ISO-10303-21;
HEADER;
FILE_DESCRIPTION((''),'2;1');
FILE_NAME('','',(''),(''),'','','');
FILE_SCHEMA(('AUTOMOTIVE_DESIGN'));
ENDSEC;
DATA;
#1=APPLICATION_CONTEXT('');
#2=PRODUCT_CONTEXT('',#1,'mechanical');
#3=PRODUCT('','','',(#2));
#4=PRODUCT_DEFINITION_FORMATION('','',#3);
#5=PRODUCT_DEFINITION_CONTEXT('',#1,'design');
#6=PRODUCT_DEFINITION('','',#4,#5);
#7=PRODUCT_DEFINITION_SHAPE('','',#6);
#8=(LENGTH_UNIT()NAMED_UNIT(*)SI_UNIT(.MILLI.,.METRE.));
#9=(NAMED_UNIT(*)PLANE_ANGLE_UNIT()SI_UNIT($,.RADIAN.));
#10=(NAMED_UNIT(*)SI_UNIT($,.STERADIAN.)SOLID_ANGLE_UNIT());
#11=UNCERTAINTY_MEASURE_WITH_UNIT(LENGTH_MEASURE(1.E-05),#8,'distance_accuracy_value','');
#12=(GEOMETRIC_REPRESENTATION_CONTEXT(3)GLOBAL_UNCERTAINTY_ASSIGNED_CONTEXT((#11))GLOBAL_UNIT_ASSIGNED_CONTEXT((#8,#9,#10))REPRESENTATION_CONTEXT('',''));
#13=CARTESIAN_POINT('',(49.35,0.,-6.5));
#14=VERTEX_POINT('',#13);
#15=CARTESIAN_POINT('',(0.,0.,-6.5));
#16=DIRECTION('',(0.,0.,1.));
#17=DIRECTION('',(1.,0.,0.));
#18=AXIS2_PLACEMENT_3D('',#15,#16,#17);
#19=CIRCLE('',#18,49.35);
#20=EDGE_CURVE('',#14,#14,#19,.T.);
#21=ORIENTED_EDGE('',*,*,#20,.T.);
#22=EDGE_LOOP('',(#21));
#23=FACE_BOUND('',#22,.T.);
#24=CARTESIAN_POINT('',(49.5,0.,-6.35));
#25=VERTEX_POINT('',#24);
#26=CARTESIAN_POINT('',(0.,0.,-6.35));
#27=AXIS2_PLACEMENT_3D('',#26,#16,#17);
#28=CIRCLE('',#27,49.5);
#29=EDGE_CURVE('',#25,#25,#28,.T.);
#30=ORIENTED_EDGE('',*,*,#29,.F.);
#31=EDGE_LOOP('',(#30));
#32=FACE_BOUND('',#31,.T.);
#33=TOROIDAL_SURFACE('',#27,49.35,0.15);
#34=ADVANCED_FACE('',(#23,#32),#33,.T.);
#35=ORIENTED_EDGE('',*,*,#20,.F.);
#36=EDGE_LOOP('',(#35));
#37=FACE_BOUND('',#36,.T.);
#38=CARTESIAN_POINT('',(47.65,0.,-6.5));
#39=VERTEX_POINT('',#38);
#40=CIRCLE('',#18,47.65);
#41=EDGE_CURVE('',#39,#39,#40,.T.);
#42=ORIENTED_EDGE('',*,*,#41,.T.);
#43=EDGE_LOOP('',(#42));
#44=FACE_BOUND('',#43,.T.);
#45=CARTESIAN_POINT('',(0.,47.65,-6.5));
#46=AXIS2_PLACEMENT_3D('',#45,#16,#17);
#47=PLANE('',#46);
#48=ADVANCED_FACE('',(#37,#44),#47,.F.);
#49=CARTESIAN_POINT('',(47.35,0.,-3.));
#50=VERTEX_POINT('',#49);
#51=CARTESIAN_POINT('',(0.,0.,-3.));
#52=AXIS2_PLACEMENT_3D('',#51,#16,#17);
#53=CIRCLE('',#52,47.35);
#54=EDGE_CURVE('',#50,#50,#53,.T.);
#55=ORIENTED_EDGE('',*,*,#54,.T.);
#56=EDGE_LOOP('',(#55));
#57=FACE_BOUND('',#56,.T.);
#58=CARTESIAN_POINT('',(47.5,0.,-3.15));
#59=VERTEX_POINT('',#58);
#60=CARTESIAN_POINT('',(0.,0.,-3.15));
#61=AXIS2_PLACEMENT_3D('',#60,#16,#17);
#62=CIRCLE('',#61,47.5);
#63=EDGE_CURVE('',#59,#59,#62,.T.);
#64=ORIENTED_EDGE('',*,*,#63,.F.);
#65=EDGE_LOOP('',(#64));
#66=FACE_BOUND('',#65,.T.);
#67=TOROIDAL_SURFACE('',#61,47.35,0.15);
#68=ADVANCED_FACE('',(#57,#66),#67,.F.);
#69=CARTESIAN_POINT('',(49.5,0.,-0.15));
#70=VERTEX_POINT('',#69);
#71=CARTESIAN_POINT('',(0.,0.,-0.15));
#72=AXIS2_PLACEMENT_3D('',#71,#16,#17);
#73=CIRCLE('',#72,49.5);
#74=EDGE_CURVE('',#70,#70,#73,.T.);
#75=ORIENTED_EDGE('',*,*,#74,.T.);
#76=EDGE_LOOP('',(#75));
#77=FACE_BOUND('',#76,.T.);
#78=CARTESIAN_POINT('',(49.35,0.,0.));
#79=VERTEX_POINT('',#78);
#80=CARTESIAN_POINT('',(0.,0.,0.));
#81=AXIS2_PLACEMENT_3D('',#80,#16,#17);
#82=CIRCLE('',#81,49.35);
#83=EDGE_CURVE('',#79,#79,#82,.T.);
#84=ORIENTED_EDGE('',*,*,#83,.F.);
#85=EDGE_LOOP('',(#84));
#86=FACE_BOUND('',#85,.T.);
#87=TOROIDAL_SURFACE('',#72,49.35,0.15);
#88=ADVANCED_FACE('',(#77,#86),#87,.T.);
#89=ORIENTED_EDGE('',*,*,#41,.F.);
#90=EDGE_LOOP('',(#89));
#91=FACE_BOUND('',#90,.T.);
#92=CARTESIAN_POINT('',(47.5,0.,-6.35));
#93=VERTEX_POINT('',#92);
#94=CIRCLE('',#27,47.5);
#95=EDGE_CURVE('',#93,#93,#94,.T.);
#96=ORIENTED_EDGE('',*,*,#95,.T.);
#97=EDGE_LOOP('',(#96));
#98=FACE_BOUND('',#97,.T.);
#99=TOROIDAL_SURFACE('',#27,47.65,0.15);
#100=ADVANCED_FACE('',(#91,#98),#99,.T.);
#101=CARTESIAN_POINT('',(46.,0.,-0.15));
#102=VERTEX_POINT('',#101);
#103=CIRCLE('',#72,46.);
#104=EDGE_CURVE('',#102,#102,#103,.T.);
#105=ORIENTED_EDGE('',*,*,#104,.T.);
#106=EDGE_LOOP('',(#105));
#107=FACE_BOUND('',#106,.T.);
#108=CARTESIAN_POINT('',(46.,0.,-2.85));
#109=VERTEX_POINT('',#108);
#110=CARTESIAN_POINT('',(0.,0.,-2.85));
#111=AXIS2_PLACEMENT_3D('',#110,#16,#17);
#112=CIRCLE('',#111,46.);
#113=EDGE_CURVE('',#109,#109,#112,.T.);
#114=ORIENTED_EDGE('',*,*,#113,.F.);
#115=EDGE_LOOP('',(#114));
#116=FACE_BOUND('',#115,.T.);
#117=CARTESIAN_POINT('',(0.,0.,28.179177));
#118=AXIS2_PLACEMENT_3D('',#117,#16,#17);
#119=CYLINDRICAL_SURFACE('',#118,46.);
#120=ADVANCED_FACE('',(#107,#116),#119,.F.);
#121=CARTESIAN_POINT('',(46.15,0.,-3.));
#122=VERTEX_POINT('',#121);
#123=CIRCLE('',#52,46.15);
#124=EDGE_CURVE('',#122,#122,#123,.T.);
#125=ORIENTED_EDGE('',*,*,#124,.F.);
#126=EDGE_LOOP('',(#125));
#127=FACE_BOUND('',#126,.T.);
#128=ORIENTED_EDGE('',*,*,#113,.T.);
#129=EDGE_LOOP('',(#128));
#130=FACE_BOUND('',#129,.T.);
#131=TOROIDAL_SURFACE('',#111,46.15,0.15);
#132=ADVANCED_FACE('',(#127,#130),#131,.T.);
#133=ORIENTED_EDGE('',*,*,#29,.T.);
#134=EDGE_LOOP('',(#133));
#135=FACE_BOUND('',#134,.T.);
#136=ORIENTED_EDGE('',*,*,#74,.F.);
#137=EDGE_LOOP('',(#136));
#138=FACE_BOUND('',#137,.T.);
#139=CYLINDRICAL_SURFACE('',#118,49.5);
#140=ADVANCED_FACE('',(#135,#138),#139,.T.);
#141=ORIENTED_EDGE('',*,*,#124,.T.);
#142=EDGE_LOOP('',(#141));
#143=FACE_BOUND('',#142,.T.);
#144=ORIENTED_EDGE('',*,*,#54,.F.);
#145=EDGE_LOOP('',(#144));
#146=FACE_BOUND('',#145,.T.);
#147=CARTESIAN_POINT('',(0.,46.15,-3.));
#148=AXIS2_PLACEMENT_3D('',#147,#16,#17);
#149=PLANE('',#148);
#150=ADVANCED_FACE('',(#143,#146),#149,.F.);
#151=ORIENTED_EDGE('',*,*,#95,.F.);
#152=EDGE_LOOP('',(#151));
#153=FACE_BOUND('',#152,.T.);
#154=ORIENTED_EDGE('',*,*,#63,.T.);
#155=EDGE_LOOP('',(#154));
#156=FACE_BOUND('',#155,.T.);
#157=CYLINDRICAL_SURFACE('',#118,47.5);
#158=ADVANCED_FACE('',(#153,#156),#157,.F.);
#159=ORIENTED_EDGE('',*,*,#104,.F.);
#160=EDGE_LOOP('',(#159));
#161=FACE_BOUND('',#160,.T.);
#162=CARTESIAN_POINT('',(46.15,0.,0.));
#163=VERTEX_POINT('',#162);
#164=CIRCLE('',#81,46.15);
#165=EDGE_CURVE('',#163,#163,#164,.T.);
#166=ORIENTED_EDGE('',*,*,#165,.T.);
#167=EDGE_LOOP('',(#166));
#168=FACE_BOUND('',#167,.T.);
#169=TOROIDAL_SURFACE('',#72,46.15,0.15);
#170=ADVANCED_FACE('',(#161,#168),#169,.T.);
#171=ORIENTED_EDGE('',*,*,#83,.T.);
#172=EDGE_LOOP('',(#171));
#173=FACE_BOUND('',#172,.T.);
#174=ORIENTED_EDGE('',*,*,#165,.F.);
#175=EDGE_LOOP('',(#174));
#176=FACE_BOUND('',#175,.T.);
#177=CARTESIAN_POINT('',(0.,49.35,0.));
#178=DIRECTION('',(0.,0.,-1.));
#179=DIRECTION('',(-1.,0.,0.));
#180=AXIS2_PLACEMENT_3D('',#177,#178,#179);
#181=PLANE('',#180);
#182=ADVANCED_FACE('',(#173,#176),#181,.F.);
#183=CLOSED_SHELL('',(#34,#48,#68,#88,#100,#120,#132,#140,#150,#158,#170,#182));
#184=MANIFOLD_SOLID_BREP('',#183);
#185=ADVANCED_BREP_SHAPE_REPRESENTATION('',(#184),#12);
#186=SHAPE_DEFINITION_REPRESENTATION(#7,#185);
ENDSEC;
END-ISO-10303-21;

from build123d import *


with BuildPart() as part:
    # Sketch1 → Revolve1 (revolve)
    with BuildSketch(Plane(origin=(0, 0, 0), x_dir=(0, 0, -1), z_dir=(1, 0, 0)), mode=Mode.PRIVATE) as revolve1_sk:
        with BuildLine():
            Line((0.15, 46), (2.85, 46))
            ThreePointArc((2.85, 46), (2.956066017, 46.043933983), (3, 46.15))
            Line((3, 46.15), (3, 47.35))
            ThreePointArc((3, 47.35), (3.043933983, 47.456066017), (3.15, 47.5))
            Line((3.15, 47.5), (6.35, 47.5))
            ThreePointArc((6.35, 47.5), (6.456066017, 47.543933983), (6.5, 47.65))
            Line((6.5, 47.65), (6.5, 49.35))
            ThreePointArc((6.5, 49.35), (6.456066017, 49.456066017), (6.35, 49.5))
            Line((6.35, 49.5), (0.15, 49.5))
            ThreePointArc((0.15, 49.5), (0.043933983, 49.456066017), (0, 49.35))
            Line((0, 49.35), (0, 46.15))
            ThreePointArc((0, 46.15), (0.043933983, 46.043933983), (0.15, 46))
        make_face()
    revolve(revolve1_sk.sketch.rotate(Axis((0, 0, 28.179176755), (0, 0, -1)), 90), axis=Axis((0, 0, 28.179176755), (0, 0, -1)))


solid = part.part
